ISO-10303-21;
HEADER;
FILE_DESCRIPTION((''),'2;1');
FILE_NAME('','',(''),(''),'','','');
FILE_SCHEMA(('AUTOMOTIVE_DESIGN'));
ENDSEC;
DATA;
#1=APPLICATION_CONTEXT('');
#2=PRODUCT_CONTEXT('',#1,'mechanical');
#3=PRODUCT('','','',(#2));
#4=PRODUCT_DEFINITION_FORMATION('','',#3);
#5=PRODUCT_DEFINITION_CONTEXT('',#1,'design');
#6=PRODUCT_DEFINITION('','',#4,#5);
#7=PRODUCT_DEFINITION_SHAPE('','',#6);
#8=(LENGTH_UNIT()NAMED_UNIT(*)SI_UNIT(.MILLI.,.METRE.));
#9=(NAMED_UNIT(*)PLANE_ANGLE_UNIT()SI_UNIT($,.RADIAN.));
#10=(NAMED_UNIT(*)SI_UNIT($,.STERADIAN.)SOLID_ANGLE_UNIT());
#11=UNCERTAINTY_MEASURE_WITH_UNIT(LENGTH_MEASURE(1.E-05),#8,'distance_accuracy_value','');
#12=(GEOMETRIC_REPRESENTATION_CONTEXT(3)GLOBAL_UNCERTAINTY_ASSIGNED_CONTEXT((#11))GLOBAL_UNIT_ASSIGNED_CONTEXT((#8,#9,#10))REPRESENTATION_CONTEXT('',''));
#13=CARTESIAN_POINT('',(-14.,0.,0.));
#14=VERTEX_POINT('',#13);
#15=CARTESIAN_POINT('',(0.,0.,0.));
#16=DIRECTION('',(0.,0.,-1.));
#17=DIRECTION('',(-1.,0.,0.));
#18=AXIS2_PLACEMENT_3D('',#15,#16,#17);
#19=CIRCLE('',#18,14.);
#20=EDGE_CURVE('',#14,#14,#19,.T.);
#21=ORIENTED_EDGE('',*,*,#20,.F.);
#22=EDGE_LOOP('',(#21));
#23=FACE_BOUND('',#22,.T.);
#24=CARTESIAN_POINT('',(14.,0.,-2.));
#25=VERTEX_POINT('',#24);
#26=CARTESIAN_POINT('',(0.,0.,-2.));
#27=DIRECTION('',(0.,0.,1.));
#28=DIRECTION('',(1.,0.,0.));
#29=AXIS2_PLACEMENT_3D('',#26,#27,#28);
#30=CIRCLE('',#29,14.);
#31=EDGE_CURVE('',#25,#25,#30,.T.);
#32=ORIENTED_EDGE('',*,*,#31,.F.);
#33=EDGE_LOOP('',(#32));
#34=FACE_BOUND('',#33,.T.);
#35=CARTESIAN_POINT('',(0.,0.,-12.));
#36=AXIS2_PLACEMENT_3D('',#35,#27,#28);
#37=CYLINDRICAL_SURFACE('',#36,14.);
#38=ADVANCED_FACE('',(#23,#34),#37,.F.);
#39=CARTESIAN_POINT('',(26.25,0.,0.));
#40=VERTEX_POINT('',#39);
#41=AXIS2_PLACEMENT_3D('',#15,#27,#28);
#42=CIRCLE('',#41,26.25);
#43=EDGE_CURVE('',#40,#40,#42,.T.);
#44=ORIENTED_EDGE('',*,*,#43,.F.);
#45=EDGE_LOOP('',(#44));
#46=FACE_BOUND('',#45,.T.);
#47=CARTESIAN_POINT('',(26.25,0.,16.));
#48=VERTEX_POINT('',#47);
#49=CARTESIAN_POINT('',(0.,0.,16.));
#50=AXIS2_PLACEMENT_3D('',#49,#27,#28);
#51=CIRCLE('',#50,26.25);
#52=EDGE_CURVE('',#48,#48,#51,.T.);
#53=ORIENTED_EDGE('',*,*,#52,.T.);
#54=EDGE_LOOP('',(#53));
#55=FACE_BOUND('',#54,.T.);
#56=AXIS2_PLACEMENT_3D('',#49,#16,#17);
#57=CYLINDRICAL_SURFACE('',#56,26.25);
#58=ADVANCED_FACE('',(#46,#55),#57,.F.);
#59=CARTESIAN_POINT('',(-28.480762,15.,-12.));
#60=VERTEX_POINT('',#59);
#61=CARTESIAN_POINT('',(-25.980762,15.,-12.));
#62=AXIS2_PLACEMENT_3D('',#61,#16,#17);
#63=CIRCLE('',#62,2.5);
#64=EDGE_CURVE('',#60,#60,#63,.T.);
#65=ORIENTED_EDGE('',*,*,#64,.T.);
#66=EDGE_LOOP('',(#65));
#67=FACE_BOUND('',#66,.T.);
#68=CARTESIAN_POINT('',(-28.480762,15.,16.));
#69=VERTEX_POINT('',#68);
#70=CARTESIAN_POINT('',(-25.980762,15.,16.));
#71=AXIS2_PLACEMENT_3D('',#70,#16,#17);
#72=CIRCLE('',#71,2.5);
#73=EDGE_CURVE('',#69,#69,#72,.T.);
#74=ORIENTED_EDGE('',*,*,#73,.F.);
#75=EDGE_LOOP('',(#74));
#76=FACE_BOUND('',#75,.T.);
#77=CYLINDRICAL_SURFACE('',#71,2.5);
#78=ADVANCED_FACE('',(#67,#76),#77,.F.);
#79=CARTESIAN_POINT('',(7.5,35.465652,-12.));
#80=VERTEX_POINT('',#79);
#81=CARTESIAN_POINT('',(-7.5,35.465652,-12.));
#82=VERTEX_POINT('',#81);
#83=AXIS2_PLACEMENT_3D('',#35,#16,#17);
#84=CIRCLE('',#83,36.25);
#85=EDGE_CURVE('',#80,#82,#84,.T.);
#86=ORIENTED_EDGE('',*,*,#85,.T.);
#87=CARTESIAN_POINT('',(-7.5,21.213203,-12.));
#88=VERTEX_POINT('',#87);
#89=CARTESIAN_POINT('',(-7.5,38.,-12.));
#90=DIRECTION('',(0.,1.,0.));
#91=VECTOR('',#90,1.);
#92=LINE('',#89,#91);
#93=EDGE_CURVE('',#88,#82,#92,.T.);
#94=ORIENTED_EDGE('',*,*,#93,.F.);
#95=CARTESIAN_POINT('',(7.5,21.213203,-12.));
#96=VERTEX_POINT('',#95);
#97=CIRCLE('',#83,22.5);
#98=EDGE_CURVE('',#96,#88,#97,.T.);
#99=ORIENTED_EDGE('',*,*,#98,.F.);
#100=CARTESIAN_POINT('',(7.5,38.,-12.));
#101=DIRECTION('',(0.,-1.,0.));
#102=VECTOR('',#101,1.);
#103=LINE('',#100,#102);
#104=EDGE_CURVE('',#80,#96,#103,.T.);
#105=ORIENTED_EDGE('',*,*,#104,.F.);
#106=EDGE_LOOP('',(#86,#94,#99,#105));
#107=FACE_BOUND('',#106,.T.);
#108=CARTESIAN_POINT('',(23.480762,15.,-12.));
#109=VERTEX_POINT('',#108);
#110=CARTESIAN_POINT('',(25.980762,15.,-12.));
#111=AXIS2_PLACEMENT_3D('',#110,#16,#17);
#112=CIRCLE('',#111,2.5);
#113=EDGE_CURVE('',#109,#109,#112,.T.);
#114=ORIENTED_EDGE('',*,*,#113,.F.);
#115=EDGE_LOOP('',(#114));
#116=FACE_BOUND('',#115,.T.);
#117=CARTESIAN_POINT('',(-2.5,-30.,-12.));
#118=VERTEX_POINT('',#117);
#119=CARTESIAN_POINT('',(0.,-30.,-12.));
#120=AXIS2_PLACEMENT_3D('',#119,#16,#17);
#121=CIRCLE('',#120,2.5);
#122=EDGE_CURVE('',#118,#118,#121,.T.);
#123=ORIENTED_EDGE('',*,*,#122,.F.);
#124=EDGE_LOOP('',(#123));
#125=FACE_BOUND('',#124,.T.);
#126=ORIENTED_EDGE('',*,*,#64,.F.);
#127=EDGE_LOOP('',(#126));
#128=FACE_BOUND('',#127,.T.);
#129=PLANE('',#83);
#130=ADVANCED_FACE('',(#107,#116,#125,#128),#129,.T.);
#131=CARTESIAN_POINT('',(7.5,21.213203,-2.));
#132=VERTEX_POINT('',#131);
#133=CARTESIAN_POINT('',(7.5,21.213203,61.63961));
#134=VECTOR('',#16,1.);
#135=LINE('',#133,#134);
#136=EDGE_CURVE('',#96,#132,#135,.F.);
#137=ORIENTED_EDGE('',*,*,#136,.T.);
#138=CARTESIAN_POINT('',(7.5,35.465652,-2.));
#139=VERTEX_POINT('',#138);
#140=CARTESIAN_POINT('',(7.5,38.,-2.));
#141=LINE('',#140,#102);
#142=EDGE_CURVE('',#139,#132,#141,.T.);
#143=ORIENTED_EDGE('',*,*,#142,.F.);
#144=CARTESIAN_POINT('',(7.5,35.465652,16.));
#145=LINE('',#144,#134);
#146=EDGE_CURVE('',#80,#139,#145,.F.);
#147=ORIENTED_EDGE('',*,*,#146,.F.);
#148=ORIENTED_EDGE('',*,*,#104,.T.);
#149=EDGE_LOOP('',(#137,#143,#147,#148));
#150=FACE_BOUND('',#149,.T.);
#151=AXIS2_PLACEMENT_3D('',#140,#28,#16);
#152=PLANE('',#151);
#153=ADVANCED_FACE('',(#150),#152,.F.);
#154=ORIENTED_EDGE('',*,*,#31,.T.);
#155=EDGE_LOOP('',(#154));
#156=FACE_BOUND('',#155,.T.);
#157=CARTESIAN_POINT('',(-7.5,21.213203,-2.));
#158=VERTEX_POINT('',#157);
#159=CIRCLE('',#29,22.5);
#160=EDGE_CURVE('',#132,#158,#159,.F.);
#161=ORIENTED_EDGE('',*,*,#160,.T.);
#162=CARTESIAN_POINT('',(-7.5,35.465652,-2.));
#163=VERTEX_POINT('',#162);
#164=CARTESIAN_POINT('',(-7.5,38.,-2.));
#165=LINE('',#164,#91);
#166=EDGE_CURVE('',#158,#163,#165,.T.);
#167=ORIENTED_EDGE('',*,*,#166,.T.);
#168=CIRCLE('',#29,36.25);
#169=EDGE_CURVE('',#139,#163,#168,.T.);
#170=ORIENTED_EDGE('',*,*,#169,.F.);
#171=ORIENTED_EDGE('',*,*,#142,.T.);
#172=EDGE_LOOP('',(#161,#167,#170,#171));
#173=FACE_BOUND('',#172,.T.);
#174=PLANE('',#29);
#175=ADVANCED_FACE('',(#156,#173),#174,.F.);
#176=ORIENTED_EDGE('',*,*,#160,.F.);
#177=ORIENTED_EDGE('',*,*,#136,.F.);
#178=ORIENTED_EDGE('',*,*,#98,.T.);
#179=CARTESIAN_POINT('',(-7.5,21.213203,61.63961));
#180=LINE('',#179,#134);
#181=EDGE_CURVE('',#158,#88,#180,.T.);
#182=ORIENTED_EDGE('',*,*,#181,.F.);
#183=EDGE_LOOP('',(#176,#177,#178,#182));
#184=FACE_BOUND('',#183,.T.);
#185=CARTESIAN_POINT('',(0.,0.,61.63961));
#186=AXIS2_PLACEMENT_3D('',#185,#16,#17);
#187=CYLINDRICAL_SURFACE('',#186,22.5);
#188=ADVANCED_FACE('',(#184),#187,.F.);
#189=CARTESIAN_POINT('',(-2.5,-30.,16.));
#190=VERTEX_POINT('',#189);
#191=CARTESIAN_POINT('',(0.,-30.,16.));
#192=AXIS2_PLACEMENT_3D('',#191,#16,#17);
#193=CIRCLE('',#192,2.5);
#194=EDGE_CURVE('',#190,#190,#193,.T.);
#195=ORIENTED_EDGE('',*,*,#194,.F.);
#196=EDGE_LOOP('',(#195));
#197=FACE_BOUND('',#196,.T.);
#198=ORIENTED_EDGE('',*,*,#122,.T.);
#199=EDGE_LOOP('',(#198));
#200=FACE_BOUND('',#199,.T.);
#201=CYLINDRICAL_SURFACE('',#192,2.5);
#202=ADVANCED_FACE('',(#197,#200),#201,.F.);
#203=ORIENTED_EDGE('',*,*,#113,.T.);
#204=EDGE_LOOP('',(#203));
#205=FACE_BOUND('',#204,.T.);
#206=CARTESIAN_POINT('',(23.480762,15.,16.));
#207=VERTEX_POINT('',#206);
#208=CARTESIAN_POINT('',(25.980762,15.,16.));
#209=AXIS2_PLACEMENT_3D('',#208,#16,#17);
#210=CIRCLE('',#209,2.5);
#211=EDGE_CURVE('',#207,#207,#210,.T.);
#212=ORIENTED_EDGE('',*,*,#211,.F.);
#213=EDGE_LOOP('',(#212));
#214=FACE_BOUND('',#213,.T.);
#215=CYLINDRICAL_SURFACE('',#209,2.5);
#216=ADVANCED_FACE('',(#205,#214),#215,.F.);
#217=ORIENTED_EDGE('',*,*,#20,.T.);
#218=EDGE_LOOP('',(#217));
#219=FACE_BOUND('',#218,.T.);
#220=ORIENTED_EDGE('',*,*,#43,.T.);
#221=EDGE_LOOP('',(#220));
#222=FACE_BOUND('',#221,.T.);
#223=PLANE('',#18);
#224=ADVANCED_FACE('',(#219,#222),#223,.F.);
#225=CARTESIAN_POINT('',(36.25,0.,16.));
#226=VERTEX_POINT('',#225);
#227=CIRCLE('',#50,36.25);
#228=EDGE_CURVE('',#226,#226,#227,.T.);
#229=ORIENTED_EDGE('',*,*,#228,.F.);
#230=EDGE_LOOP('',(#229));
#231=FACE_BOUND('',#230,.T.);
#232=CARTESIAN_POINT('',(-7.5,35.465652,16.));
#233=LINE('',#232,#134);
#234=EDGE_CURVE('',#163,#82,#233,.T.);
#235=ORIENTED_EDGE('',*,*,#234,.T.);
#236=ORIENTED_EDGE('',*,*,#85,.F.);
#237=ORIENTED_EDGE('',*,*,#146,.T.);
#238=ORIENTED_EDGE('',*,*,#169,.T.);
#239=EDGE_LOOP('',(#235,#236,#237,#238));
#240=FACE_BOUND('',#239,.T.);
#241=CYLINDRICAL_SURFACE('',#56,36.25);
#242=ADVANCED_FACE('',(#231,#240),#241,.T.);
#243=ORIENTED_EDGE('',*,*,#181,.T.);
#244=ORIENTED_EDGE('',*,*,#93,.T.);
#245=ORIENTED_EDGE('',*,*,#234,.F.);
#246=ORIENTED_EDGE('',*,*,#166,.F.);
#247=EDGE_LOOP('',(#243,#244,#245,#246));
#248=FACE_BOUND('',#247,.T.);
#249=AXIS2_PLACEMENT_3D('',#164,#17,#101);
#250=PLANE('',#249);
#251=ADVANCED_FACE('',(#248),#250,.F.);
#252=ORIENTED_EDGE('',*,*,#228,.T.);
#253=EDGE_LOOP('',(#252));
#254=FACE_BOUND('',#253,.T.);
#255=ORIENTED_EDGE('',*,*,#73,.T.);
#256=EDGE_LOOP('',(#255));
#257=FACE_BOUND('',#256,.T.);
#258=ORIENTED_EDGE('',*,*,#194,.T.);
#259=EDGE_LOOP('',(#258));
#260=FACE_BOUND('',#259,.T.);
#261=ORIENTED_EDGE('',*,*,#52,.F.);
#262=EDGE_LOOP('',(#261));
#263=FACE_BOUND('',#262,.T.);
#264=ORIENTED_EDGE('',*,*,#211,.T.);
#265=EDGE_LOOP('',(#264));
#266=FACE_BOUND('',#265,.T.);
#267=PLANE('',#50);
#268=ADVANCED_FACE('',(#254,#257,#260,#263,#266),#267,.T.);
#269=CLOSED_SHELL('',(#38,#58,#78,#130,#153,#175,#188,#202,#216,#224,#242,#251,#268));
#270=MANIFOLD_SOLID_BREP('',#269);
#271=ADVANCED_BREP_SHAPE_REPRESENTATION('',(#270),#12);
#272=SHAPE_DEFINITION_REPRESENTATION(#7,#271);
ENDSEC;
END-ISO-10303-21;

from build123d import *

# Parameters (mm, degrees)
SKETCH1_R           = 36.25
SKETCH1_R_2         = 26.25
BOSS_EXTRUDE1_DEPTH = 16
BOSS_EXTRUDE2_START = 12
SKETCH2_R           = 36.25
SKETCH2_R_2         = 14
BOSS_EXTRUDE2_DEPTH = 12
SKETCH4_W           = 15
SKETCH4_H           = 30
CUT_EXTRUDE1_DEPTH  = 10
SKETCH5_R           = 22.5
CUT_EXTRUDE2_DEPTH  = 10
SKETCH7_R           = 2.5
CUT_EXTRUDE3_DEPTH  = 59.413397436


with BuildPart() as part:
    # Sketch1 → Boss-Extrude1 (new body)
    with BuildSketch(Plane.XY):
        Circle(SKETCH1_R)
        Circle(SKETCH1_R_2, mode=Mode.SUBTRACT)
    extrude(amount=BOSS_EXTRUDE1_DEPTH)

    # Sketch2 → Boss-Extrude2 (add)
    with BuildSketch(Plane(origin=(0, 0, 0), x_dir=(-1, 0, 0), z_dir=(0, 0, -1)).offset(BOSS_EXTRUDE2_START)):
        Circle(SKETCH2_R)
        Circle(SKETCH2_R_2, mode=Mode.SUBTRACT)
    extrude(amount=-BOSS_EXTRUDE2_DEPTH)

    # Sketch4 → Cut-Extrude1 (cut)
    with BuildSketch(Plane(origin=(0, 0, -12), x_dir=(-1, 0, 0), z_dir=(0, 0, -1))):
        with Locations((0, 23)):
            Rectangle(SKETCH4_W, SKETCH4_H)
    extrude(amount=-CUT_EXTRUDE1_DEPTH, mode=Mode.SUBTRACT)

    # Sketch5 → Cut-Extrude2 (cut)
    with BuildSketch(Plane(origin=(0, 0, -12), x_dir=(-1, 0, 0), z_dir=(0, 0, -1))):
        Circle(SKETCH5_R)
    extrude(amount=-CUT_EXTRUDE2_DEPTH, mode=Mode.SUBTRACT)

    # Sketch7 → Cut-Extrude3 (cut, through all)
    with BuildSketch(Plane(origin=(0, 0, -12), x_dir=(-1, 0, 0), z_dir=(0, 0, -1))):
        with Locations((-25.980762114, 15)):
            Circle(SKETCH7_R)
        with Locations((25.980762114, 15)):
            Circle(SKETCH7_R)
        with Locations((0, -30)):
            Circle(SKETCH7_R)
    extrude(amount=-CUT_EXTRUDE3_DEPTH, mode=Mode.SUBTRACT)


solid = part.part
